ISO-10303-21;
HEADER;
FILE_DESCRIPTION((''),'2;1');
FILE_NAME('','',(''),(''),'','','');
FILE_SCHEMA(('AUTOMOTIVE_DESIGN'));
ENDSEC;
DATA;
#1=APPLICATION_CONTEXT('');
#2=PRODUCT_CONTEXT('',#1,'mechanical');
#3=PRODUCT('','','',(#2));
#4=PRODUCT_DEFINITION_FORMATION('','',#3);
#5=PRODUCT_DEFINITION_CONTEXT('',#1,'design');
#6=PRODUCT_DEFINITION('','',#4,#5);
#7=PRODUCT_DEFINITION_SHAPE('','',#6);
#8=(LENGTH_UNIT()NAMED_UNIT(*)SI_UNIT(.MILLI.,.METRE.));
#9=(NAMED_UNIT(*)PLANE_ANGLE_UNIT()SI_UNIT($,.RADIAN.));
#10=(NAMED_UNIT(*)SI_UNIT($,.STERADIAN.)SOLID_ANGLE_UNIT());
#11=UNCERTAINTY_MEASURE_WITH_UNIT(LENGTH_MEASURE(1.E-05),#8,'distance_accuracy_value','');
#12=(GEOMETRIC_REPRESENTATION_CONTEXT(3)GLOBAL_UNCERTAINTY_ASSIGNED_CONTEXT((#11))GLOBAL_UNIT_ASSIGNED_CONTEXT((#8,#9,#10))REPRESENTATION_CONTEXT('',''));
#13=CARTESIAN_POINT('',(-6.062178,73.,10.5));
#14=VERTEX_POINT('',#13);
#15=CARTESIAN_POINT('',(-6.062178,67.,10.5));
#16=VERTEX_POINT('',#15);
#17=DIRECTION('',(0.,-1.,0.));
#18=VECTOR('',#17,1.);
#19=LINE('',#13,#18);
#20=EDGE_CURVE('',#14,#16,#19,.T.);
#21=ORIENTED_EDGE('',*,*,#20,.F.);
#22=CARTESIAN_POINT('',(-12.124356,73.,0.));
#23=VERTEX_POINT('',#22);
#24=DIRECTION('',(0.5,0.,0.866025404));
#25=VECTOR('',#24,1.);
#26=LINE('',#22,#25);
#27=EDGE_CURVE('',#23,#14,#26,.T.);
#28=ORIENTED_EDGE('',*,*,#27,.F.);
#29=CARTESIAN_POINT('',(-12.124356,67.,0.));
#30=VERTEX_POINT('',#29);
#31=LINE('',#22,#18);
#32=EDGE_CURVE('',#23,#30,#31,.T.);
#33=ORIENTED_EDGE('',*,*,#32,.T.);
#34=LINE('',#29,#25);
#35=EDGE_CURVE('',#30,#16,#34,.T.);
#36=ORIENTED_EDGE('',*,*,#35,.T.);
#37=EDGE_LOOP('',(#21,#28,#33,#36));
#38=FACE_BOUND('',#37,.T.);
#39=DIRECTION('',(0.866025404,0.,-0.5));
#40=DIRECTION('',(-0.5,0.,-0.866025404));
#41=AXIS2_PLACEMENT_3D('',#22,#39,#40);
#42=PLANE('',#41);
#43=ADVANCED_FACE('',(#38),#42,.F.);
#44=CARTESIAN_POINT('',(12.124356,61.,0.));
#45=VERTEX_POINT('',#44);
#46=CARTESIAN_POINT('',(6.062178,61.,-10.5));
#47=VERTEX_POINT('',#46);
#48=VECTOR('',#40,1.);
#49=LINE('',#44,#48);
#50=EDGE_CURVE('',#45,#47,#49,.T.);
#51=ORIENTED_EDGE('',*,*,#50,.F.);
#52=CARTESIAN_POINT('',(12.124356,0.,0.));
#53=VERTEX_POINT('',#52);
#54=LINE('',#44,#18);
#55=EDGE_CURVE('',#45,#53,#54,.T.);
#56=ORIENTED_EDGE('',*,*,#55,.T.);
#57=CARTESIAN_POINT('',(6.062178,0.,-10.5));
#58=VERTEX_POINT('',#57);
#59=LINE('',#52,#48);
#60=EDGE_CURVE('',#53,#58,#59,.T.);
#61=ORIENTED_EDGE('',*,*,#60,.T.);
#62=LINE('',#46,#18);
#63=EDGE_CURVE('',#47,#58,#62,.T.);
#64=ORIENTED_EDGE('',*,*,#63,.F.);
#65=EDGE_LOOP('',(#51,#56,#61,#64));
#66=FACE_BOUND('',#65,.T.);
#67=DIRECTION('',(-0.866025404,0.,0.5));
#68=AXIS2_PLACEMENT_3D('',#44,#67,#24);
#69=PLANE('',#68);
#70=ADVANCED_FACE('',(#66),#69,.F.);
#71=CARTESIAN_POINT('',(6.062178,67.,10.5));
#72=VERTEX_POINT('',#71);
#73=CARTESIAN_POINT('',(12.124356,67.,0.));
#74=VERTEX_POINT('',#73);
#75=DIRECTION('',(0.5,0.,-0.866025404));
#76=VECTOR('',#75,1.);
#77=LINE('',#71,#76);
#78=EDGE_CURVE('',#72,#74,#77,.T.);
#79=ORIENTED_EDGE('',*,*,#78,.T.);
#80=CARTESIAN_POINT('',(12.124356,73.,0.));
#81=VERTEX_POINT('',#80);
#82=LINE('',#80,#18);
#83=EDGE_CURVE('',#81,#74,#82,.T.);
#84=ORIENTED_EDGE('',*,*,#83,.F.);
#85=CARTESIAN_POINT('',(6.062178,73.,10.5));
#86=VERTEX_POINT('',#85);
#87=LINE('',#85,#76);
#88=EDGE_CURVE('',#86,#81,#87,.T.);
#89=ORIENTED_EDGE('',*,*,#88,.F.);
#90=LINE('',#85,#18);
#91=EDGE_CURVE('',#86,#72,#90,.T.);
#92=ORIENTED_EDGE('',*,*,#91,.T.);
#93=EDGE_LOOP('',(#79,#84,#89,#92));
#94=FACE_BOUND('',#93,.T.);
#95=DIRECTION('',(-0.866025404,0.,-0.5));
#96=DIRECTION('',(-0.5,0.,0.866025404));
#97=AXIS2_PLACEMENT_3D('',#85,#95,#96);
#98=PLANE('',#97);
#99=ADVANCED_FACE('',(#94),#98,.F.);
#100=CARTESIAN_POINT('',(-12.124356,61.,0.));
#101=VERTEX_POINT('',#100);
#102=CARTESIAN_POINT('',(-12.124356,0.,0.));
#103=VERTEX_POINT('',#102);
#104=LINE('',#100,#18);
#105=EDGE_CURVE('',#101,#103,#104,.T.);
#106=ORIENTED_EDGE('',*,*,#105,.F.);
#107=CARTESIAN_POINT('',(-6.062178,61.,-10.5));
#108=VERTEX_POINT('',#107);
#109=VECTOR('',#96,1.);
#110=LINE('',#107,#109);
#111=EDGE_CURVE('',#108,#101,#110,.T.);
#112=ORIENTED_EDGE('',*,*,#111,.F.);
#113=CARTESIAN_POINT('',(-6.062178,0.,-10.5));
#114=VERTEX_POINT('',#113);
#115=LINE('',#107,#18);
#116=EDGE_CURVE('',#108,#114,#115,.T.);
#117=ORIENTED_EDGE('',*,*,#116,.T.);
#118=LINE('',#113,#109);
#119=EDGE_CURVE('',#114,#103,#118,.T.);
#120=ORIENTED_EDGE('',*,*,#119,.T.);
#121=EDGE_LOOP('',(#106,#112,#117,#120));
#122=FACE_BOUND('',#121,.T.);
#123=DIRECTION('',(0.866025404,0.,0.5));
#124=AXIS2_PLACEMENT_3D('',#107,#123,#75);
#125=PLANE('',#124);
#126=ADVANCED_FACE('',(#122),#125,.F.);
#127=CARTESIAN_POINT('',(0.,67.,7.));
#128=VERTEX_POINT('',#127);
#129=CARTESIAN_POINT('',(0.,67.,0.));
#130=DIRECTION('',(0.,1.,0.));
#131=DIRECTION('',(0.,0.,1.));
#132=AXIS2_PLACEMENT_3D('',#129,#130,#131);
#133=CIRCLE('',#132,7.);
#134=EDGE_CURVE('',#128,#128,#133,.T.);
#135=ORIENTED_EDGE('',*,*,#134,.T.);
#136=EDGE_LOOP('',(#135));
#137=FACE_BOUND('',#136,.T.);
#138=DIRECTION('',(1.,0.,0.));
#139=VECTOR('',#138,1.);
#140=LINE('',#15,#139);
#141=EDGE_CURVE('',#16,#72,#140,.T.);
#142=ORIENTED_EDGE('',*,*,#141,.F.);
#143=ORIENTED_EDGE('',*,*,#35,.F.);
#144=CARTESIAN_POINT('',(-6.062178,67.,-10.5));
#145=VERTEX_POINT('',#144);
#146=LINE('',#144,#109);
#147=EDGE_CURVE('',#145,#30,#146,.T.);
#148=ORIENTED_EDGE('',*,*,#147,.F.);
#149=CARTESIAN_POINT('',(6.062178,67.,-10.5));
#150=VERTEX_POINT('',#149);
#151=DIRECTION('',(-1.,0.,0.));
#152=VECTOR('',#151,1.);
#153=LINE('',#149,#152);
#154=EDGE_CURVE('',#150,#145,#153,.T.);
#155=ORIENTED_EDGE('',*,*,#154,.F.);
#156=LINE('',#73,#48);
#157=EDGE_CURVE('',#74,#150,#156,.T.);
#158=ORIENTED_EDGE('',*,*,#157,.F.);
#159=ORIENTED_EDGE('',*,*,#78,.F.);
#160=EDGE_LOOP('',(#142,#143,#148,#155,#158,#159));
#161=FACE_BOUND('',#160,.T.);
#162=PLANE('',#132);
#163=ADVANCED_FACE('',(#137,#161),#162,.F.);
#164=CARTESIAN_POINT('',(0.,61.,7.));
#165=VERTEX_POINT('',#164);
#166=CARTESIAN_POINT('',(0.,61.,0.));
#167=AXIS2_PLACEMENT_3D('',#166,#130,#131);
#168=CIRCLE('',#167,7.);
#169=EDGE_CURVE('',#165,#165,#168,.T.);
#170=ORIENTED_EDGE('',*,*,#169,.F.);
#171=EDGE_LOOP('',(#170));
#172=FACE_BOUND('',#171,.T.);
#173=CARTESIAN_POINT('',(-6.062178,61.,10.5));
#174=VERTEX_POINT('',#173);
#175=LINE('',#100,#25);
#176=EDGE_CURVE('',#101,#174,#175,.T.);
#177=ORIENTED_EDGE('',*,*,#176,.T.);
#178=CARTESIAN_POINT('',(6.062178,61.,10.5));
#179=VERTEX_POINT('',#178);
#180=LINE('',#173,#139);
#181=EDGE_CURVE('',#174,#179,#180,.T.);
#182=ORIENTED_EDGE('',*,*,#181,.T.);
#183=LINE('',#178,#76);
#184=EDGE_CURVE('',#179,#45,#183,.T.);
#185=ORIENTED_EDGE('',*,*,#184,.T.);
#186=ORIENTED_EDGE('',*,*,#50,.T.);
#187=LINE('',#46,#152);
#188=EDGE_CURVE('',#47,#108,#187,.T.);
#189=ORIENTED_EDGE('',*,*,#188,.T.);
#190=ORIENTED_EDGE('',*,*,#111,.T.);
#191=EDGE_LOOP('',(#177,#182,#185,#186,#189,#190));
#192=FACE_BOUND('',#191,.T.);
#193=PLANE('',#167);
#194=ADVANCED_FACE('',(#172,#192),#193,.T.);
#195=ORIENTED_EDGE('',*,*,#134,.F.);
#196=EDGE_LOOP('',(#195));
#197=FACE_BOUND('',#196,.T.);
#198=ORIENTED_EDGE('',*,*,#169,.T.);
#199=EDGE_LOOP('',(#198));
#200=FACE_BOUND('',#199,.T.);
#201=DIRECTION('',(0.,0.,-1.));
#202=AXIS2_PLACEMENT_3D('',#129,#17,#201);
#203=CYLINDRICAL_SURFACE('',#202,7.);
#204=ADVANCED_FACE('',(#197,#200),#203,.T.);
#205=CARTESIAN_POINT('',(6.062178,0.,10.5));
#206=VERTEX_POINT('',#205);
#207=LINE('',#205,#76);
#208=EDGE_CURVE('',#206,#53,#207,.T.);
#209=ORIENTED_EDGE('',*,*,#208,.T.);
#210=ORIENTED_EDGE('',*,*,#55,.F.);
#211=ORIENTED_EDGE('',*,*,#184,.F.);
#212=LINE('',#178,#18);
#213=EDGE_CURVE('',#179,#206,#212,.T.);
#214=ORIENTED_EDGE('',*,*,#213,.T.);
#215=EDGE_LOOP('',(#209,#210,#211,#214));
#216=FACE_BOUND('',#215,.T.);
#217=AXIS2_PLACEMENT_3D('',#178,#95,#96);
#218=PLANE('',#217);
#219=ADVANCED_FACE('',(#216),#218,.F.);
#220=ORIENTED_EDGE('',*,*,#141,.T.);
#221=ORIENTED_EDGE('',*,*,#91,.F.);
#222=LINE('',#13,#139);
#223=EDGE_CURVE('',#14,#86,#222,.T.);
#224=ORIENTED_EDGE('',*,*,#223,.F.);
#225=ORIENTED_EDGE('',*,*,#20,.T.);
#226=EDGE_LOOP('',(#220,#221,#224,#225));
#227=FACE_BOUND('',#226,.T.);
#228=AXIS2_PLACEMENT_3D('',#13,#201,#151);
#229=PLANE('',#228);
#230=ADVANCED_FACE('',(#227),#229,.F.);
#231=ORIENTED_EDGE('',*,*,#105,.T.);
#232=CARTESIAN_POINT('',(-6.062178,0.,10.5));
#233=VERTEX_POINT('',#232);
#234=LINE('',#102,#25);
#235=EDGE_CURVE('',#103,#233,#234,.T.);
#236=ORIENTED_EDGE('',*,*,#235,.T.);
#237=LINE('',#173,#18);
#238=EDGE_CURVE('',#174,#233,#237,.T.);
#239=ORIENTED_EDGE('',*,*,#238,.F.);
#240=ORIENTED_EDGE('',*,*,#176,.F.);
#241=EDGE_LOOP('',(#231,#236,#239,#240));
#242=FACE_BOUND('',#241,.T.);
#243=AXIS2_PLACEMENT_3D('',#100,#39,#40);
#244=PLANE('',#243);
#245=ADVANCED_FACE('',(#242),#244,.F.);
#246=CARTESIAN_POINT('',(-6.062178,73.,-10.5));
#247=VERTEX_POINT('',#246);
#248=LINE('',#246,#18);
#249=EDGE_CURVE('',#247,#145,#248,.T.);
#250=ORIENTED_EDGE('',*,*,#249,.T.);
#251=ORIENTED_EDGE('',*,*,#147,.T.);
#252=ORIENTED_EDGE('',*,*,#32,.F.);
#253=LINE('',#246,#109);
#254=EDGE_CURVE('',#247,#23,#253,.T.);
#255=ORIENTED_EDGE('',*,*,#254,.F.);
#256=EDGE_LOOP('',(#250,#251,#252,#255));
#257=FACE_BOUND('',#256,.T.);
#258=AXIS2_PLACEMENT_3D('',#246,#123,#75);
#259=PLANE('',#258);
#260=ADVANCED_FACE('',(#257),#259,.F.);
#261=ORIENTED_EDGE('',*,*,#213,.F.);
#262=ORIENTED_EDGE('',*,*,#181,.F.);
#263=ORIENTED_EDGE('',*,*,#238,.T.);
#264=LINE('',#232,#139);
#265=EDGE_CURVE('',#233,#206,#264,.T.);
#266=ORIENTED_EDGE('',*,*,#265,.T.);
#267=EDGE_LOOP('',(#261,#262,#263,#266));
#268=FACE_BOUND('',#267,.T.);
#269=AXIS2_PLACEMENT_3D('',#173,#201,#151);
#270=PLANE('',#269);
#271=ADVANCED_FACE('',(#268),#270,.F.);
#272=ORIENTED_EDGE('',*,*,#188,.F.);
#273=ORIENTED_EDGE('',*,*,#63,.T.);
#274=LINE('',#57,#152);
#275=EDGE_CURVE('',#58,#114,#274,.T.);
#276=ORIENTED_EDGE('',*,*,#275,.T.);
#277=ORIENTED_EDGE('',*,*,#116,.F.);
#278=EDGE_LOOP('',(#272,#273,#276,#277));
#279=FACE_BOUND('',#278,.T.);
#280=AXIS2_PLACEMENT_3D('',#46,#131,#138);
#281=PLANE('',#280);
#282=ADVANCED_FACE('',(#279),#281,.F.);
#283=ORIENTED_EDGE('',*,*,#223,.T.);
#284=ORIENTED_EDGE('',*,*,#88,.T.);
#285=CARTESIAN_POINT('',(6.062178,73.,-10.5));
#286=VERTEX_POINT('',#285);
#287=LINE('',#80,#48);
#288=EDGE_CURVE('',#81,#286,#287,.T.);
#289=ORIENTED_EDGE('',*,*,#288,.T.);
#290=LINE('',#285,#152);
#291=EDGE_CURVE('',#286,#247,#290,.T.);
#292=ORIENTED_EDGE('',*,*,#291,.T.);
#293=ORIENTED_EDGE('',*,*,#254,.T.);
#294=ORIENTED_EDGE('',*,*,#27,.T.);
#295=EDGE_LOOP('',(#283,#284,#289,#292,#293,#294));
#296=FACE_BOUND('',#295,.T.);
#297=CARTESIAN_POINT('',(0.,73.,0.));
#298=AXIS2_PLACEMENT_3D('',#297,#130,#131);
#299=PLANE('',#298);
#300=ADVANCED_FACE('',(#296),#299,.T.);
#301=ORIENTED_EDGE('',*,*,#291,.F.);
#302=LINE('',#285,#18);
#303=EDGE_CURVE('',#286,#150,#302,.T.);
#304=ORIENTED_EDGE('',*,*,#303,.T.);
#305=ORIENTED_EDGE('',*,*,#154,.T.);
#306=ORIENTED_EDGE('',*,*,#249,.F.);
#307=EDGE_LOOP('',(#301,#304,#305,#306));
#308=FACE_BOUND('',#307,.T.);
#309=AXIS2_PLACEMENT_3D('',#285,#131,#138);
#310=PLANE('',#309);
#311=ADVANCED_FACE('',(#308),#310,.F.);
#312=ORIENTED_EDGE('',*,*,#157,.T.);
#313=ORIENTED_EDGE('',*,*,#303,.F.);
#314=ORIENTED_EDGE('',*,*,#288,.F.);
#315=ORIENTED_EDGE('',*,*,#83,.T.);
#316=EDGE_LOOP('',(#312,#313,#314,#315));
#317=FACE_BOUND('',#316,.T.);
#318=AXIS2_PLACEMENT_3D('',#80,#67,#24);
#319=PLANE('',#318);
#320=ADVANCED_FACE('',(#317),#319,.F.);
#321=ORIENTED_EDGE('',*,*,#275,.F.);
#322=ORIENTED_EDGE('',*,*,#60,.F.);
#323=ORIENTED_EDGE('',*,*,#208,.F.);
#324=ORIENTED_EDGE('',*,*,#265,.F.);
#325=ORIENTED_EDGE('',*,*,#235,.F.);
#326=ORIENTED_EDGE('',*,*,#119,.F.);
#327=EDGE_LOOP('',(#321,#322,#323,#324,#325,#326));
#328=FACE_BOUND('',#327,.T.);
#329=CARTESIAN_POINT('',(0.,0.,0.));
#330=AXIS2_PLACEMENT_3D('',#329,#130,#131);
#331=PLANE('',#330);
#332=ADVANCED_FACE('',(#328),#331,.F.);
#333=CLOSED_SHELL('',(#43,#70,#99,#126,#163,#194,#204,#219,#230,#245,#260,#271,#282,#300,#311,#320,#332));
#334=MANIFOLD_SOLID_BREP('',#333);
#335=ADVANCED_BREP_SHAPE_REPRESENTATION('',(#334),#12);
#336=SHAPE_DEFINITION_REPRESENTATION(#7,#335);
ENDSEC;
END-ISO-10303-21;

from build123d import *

# Parameters (mm, degrees)
BOSS_EXTRUDE1_DEPTH = 61
SKETCH2_R           = 7
BOSS_EXTRUDE2_DEPTH = 6
BOSS_EXTRUDE3_DEPTH = 6


with BuildPart() as part:
    # Sketch1 → Boss-Extrude1 (new body)
    with BuildSketch(Plane(origin=(0, 0, 0), x_dir=(1, 0, 0), z_dir=(0, 1, 0))):
        Polygon((-12.124355653, 0), (-6.062177826, -10.5), (6.062177826, -10.5), (12.124355653, 0), (6.062177826, 10.5), (-6.062177826, 10.5), align=None)
    extrude(amount=BOSS_EXTRUDE1_DEPTH)

    # Sketch2 → Boss-Extrude2 (add)
    with BuildSketch(Plane(origin=(0, 61, 0), x_dir=(1, 0, 0), z_dir=(0, 1, 0))):
        with Locations(Location((0, 0, 0), (0, 0, 270))):
            Circle(SKETCH2_R)
    extrude(amount=BOSS_EXTRUDE2_DEPTH)

    # Sketch3 → Boss-Extrude3 (add)
    with BuildSketch(Plane(origin=(0, 67, 0), x_dir=(1, 0, 0), z_dir=(0, 1, 0))):
        Polygon((-12.124355653, 0), (-6.062177826, -10.5), (6.062177826, -10.5), (12.124355653, 0), (6.062177826, 10.5), (-6.062177826, 10.5), align=None)
    extrude(amount=BOSS_EXTRUDE3_DEPTH)


solid = part.part
